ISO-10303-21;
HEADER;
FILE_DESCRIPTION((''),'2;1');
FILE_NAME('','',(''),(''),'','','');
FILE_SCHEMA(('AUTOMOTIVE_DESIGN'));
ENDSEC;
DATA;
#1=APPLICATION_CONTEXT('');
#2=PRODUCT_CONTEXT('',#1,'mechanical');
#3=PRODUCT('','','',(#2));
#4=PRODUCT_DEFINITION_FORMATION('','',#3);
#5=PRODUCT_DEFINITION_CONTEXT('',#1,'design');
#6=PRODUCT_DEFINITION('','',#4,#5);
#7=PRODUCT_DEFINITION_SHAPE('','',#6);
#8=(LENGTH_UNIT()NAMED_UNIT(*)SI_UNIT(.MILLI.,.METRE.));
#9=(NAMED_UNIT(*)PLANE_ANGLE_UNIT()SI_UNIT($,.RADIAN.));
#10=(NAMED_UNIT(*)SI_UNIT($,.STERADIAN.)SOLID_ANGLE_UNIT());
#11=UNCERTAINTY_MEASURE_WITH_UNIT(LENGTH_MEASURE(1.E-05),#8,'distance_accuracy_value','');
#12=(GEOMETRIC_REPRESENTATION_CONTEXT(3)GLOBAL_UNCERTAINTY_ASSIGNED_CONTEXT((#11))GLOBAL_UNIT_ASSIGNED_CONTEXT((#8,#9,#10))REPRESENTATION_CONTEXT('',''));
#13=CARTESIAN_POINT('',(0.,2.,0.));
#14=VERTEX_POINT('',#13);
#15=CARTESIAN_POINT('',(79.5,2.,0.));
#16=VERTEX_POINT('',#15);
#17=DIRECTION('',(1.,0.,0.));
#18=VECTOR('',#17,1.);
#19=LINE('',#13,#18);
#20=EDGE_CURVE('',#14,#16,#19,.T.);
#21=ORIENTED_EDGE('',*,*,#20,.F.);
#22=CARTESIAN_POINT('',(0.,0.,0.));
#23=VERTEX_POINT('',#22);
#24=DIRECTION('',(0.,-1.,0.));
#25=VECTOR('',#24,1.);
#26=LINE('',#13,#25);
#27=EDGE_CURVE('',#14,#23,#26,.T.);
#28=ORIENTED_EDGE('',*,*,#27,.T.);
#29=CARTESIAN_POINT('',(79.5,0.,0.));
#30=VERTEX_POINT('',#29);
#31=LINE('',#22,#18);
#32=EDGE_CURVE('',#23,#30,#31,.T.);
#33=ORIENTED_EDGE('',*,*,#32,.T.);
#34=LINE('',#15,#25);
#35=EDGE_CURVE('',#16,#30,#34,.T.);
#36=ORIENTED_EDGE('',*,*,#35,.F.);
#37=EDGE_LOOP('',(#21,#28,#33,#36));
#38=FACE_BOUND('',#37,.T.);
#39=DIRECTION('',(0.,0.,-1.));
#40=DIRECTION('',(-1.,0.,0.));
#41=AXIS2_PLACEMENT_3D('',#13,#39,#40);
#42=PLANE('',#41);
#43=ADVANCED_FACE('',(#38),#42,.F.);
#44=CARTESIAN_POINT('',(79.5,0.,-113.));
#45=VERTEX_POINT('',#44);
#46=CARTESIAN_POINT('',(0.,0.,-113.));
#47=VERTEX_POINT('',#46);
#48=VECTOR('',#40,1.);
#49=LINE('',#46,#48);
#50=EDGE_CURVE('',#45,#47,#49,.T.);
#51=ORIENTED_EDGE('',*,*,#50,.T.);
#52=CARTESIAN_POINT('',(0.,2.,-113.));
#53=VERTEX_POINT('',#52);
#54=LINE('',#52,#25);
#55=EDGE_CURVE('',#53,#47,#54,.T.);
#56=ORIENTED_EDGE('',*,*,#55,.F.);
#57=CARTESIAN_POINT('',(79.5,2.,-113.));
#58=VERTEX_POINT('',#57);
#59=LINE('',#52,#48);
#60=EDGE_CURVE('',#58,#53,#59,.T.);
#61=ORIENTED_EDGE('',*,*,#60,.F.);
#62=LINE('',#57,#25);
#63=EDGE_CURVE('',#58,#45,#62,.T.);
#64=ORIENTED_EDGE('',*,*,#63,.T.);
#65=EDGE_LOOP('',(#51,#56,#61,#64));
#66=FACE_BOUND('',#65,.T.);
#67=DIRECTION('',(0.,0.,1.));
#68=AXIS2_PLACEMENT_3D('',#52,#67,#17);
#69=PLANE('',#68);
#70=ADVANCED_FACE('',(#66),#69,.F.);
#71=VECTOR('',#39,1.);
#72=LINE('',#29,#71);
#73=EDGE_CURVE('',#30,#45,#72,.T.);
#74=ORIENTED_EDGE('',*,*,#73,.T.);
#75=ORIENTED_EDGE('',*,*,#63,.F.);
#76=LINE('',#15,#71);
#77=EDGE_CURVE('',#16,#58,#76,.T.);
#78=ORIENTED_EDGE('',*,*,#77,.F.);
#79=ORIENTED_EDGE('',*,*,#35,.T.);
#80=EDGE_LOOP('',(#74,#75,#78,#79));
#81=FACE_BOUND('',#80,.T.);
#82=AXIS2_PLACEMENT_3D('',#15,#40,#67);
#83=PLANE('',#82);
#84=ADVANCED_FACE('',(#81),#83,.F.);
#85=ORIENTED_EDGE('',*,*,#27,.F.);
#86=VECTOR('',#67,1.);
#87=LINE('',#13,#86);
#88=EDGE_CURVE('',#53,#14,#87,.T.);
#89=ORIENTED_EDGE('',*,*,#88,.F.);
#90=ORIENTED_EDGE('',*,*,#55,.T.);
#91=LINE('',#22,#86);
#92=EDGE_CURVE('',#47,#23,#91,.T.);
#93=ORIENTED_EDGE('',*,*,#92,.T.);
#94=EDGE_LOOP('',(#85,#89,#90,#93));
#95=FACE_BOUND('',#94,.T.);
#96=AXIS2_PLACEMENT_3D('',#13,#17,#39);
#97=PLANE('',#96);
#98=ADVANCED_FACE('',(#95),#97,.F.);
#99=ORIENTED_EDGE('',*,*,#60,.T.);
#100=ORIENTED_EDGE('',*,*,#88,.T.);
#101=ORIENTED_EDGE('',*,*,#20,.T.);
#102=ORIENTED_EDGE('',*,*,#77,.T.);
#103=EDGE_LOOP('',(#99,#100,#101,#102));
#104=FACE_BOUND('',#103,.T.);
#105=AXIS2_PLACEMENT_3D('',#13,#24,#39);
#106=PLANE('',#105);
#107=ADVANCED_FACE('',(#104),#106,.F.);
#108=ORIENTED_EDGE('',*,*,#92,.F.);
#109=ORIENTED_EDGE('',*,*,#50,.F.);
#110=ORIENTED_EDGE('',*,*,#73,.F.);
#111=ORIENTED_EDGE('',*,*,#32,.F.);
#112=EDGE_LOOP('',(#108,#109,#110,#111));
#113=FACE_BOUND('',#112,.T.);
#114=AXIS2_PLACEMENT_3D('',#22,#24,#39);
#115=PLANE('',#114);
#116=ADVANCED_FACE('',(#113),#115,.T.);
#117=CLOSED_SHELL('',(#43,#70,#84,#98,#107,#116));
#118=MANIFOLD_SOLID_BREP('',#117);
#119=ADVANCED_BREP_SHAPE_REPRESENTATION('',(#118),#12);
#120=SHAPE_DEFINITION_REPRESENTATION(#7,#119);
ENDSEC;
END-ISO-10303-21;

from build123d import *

# Parameters (mm, degrees)
SKETCH1_W           = 79.5
SKETCH1_H           = 113
BOSS_EXTRUDE1_DEPTH = 2


with BuildPart() as part:
    # Sketch1 → Boss-Extrude1 (new body)
    with BuildSketch(Plane(origin=(0, 0, 0), x_dir=(1, 0, 0), z_dir=(0, 1, 0))):
        with Locations((39.75, 56.5)):
            Rectangle(SKETCH1_W, SKETCH1_H)
    extrude(amount=BOSS_EXTRUDE1_DEPTH)


solid = part.part
